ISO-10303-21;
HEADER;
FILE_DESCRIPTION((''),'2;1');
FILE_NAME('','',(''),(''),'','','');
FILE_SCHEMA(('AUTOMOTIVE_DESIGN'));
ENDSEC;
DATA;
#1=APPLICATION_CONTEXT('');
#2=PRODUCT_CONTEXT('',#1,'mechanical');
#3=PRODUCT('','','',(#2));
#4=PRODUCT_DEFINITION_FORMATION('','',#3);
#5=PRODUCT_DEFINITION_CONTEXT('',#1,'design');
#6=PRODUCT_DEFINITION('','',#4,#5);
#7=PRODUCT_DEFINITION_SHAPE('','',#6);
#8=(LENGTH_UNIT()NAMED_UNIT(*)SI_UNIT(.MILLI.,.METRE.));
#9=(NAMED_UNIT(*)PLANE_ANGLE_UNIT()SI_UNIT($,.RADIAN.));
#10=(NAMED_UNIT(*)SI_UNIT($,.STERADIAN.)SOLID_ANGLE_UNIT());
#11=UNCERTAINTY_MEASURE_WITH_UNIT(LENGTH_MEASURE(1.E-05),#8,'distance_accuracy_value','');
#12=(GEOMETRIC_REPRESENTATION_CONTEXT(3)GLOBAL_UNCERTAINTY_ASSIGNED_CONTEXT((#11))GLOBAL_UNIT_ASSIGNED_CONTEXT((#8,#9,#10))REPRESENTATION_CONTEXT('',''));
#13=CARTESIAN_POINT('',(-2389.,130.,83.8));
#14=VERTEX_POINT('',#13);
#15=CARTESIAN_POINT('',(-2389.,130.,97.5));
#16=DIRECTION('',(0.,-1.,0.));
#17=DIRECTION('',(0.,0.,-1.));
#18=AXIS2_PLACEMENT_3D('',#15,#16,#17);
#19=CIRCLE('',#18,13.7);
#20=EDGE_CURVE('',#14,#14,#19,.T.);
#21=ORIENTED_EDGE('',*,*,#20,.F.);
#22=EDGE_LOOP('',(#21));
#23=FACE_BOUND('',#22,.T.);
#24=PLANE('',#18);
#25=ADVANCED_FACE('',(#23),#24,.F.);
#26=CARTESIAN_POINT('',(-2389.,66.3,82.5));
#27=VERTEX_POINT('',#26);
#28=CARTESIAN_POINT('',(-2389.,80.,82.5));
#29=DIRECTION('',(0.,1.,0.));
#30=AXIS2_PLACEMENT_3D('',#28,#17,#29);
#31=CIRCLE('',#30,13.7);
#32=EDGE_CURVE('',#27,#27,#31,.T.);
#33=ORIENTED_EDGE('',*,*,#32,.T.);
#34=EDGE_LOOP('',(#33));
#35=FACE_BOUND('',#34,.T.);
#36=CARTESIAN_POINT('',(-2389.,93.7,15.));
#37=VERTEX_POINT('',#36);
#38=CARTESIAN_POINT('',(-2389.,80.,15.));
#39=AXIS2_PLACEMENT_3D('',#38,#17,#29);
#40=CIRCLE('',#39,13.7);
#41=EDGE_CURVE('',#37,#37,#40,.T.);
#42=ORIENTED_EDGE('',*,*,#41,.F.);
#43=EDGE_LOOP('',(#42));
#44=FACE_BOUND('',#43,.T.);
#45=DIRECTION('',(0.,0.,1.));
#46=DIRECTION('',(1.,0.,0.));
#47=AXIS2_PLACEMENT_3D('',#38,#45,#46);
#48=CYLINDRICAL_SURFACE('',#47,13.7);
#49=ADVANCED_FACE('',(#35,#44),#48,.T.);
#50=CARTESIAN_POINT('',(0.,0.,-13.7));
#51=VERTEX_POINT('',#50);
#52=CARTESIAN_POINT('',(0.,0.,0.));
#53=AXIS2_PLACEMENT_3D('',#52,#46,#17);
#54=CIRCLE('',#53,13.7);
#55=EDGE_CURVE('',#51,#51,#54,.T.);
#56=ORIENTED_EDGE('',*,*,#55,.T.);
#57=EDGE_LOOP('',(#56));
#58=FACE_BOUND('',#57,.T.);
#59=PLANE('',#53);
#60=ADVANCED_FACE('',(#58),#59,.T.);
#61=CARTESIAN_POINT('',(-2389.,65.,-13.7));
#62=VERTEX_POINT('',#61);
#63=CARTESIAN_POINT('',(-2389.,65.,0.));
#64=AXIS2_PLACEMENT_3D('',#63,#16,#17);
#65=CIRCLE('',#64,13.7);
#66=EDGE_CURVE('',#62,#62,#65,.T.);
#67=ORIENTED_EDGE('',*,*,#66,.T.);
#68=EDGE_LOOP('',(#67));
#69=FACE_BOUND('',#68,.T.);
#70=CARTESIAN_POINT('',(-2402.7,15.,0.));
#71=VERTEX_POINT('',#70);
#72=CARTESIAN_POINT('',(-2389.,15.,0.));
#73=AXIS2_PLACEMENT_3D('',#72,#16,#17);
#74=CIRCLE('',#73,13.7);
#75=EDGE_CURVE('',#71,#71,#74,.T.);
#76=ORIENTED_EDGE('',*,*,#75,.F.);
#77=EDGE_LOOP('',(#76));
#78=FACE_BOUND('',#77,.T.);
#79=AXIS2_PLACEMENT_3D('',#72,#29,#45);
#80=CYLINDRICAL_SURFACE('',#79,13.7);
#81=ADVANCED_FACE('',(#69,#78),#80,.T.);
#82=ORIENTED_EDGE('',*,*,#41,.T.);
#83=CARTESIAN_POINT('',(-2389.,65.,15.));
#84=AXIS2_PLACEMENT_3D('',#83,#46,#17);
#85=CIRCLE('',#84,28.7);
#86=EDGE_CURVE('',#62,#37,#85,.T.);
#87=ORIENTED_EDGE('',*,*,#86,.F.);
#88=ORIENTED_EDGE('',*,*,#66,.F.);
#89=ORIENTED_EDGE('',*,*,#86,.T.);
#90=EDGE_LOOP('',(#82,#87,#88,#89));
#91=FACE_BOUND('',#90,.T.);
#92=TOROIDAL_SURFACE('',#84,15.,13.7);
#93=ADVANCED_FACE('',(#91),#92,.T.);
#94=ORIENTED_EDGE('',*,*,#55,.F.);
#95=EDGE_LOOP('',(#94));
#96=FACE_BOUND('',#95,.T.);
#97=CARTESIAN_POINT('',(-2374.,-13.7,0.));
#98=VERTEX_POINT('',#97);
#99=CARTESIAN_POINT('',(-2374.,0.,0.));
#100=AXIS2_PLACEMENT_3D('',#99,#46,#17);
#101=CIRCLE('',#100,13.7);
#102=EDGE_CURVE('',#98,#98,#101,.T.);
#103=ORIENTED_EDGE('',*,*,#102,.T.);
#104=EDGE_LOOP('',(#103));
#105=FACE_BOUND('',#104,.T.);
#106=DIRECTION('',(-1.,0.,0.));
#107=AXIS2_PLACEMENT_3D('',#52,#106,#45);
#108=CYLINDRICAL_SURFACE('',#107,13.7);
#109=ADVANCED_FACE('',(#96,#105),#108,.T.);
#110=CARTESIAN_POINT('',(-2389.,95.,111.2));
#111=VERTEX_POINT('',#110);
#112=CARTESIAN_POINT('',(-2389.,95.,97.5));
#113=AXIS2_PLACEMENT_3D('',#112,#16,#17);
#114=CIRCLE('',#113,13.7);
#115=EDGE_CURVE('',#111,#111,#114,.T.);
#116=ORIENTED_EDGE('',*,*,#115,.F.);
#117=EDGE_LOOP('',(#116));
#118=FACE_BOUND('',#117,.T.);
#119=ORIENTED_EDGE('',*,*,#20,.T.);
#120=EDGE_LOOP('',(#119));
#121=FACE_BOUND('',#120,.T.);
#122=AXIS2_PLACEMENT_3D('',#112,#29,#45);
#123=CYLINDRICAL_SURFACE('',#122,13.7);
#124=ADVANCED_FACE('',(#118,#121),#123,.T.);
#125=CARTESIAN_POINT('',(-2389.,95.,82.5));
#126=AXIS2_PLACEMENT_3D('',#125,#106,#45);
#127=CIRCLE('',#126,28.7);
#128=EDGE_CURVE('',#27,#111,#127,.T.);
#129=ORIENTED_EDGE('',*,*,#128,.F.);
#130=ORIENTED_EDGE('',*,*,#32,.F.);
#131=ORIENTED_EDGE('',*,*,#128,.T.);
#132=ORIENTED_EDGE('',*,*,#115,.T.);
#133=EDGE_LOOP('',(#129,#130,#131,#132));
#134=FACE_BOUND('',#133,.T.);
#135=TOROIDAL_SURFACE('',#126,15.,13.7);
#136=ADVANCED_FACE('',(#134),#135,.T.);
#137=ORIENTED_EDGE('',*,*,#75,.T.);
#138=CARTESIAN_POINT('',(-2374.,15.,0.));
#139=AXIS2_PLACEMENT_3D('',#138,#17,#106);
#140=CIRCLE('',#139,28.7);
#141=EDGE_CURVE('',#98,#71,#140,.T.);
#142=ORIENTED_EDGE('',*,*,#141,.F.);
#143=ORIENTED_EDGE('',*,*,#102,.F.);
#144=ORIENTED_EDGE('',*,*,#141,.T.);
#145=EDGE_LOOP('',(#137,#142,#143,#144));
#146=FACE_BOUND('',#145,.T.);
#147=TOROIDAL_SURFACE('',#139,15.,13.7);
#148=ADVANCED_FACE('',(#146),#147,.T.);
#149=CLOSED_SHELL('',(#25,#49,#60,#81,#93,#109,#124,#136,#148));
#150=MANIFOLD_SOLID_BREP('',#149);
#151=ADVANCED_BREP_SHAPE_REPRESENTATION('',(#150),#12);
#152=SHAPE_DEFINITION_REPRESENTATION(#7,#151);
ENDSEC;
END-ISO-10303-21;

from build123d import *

# Parameters (mm, degrees)
CROQUIS1_R = 13.7


with BuildPart() as part:
    # Barrer1: sweep along a curve in space
    with BuildLine() as barrer1_path:
        Line((0, 0, 0), (-2374, 0, 0))
        ThreePointArc((-2374, 0, 0), (-2384.606601718, 4.393398282, 0), (-2389, 15, 0))
        Line((-2389, 15, 0), (-2389, 65, 0))
        ThreePointArc((-2389, 65, 0), (-2389, 75.606601718, 4.393398282), (-2389, 80, 15))
        Line((-2389, 80, 15), (-2389, 80, 82.5))
        ThreePointArc((-2389, 80, 82.5), (-2389, 84.393398282, 93.106601718), (-2389, 95, 97.5))
        Line((-2389, 95, 97.5), (-2389, 130, 97.5))
    # Croquis1 → Barrer1 (sweep)
    with BuildSketch(Plane(origin=(0, 0, 0), x_dir=(0, 0, -1), z_dir=(1, 0, 0))):
        Circle(CROQUIS1_R)
    sweep(path=barrer1_path.line)


solid = part.part
